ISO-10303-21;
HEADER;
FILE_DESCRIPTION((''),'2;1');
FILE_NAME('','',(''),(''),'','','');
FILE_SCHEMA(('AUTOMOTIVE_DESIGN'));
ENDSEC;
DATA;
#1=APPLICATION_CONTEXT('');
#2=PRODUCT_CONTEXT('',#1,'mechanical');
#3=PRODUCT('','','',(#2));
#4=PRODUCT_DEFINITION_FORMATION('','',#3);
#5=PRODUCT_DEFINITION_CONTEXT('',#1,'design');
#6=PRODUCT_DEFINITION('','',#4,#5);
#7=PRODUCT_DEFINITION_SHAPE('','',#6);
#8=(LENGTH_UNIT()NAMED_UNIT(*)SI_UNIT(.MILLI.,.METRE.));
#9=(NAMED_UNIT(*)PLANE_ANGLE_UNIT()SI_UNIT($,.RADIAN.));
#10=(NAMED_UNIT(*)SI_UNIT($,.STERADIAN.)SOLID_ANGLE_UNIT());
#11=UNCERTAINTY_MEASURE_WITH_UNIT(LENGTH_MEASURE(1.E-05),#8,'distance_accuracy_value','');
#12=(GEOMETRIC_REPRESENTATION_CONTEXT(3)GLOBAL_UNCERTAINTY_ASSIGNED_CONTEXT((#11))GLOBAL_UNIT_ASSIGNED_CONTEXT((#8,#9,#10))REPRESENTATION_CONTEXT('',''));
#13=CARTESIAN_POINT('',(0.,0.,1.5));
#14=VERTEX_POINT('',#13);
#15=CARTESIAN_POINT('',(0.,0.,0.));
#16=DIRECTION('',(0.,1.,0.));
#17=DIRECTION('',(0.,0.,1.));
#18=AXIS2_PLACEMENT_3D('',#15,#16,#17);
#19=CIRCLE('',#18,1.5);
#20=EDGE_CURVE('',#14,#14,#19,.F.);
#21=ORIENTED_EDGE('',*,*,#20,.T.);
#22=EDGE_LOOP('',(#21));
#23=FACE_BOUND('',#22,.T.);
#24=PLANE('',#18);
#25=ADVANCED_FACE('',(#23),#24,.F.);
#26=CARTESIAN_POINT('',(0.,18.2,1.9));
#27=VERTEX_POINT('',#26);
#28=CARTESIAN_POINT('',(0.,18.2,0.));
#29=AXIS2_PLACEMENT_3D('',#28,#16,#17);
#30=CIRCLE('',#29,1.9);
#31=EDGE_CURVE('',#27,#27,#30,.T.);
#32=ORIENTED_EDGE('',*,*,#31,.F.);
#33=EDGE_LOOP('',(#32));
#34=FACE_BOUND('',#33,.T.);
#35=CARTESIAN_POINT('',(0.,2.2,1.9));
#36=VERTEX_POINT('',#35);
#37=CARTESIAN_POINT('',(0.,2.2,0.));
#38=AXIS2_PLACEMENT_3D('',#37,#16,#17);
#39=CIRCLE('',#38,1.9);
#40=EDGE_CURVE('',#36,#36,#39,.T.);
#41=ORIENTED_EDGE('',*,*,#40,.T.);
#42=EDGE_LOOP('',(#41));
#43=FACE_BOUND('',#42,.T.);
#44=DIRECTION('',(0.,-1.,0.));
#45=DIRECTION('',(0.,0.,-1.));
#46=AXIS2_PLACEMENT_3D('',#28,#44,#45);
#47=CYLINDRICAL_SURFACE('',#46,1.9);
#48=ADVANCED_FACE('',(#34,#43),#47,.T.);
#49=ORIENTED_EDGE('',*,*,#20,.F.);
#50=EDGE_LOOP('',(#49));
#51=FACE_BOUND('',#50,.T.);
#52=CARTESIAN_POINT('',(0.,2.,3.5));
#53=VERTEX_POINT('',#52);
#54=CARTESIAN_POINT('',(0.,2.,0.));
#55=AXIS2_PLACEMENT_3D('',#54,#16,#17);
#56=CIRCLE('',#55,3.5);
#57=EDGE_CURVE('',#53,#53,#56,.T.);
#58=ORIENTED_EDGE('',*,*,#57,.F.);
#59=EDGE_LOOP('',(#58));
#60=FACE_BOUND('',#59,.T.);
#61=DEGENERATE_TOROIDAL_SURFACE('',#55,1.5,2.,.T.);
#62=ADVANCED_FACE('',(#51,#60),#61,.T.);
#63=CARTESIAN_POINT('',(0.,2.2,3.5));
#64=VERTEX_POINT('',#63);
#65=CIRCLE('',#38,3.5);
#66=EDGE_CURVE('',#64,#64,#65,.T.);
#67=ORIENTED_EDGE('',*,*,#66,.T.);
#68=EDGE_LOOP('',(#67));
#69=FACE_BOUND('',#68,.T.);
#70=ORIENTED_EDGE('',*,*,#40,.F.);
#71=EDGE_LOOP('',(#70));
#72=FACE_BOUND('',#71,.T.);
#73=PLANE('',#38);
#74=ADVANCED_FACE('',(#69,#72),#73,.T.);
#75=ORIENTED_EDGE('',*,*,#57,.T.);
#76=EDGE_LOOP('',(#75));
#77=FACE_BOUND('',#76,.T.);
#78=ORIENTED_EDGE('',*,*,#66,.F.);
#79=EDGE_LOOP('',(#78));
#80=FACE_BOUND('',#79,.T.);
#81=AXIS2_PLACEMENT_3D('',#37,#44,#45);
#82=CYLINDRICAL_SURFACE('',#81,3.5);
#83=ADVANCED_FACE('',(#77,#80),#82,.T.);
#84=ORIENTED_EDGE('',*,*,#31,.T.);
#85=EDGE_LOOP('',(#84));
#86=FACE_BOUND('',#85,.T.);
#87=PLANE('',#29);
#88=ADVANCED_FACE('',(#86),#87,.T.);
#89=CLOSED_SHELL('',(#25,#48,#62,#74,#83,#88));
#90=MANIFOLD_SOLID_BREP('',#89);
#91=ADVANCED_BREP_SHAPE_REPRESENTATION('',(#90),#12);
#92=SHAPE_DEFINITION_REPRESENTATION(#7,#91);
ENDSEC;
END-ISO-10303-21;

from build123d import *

# Parameters (mm, degrees)
SKETCH1_R           = 3.5
BOSS_EXTRUDE1_DEPTH = 2.2
SKETCH2_R           = 1.9
BOSS_EXTRUDE2_DEPTH = 16
FILLET1_R           = 2


with BuildPart() as part:
    # Sketch1 → Boss-Extrude1 (new body)
    with BuildSketch(Plane(origin=(0, 0, 0), x_dir=(1, 0, 0), z_dir=(0, 1, 0))):
        Circle(SKETCH1_R)
    extrude(amount=BOSS_EXTRUDE1_DEPTH)

    # Sketch2 → Boss-Extrude2 (add)
    with BuildSketch(Plane(origin=(0, 2.2, 0), x_dir=(1, 0, 0), z_dir=(0, 1, 0))):
        Circle(SKETCH2_R)
    extrude(amount=BOSS_EXTRUDE2_DEPTH)

    # Fillet1
    fillet1_edges = [part.edges().sort_by_distance(p)[0] for p in [
        (-3.5, 0, 0),
    ]]
    fillet(fillet1_edges, radius=FILLET1_R)


solid = part.part
